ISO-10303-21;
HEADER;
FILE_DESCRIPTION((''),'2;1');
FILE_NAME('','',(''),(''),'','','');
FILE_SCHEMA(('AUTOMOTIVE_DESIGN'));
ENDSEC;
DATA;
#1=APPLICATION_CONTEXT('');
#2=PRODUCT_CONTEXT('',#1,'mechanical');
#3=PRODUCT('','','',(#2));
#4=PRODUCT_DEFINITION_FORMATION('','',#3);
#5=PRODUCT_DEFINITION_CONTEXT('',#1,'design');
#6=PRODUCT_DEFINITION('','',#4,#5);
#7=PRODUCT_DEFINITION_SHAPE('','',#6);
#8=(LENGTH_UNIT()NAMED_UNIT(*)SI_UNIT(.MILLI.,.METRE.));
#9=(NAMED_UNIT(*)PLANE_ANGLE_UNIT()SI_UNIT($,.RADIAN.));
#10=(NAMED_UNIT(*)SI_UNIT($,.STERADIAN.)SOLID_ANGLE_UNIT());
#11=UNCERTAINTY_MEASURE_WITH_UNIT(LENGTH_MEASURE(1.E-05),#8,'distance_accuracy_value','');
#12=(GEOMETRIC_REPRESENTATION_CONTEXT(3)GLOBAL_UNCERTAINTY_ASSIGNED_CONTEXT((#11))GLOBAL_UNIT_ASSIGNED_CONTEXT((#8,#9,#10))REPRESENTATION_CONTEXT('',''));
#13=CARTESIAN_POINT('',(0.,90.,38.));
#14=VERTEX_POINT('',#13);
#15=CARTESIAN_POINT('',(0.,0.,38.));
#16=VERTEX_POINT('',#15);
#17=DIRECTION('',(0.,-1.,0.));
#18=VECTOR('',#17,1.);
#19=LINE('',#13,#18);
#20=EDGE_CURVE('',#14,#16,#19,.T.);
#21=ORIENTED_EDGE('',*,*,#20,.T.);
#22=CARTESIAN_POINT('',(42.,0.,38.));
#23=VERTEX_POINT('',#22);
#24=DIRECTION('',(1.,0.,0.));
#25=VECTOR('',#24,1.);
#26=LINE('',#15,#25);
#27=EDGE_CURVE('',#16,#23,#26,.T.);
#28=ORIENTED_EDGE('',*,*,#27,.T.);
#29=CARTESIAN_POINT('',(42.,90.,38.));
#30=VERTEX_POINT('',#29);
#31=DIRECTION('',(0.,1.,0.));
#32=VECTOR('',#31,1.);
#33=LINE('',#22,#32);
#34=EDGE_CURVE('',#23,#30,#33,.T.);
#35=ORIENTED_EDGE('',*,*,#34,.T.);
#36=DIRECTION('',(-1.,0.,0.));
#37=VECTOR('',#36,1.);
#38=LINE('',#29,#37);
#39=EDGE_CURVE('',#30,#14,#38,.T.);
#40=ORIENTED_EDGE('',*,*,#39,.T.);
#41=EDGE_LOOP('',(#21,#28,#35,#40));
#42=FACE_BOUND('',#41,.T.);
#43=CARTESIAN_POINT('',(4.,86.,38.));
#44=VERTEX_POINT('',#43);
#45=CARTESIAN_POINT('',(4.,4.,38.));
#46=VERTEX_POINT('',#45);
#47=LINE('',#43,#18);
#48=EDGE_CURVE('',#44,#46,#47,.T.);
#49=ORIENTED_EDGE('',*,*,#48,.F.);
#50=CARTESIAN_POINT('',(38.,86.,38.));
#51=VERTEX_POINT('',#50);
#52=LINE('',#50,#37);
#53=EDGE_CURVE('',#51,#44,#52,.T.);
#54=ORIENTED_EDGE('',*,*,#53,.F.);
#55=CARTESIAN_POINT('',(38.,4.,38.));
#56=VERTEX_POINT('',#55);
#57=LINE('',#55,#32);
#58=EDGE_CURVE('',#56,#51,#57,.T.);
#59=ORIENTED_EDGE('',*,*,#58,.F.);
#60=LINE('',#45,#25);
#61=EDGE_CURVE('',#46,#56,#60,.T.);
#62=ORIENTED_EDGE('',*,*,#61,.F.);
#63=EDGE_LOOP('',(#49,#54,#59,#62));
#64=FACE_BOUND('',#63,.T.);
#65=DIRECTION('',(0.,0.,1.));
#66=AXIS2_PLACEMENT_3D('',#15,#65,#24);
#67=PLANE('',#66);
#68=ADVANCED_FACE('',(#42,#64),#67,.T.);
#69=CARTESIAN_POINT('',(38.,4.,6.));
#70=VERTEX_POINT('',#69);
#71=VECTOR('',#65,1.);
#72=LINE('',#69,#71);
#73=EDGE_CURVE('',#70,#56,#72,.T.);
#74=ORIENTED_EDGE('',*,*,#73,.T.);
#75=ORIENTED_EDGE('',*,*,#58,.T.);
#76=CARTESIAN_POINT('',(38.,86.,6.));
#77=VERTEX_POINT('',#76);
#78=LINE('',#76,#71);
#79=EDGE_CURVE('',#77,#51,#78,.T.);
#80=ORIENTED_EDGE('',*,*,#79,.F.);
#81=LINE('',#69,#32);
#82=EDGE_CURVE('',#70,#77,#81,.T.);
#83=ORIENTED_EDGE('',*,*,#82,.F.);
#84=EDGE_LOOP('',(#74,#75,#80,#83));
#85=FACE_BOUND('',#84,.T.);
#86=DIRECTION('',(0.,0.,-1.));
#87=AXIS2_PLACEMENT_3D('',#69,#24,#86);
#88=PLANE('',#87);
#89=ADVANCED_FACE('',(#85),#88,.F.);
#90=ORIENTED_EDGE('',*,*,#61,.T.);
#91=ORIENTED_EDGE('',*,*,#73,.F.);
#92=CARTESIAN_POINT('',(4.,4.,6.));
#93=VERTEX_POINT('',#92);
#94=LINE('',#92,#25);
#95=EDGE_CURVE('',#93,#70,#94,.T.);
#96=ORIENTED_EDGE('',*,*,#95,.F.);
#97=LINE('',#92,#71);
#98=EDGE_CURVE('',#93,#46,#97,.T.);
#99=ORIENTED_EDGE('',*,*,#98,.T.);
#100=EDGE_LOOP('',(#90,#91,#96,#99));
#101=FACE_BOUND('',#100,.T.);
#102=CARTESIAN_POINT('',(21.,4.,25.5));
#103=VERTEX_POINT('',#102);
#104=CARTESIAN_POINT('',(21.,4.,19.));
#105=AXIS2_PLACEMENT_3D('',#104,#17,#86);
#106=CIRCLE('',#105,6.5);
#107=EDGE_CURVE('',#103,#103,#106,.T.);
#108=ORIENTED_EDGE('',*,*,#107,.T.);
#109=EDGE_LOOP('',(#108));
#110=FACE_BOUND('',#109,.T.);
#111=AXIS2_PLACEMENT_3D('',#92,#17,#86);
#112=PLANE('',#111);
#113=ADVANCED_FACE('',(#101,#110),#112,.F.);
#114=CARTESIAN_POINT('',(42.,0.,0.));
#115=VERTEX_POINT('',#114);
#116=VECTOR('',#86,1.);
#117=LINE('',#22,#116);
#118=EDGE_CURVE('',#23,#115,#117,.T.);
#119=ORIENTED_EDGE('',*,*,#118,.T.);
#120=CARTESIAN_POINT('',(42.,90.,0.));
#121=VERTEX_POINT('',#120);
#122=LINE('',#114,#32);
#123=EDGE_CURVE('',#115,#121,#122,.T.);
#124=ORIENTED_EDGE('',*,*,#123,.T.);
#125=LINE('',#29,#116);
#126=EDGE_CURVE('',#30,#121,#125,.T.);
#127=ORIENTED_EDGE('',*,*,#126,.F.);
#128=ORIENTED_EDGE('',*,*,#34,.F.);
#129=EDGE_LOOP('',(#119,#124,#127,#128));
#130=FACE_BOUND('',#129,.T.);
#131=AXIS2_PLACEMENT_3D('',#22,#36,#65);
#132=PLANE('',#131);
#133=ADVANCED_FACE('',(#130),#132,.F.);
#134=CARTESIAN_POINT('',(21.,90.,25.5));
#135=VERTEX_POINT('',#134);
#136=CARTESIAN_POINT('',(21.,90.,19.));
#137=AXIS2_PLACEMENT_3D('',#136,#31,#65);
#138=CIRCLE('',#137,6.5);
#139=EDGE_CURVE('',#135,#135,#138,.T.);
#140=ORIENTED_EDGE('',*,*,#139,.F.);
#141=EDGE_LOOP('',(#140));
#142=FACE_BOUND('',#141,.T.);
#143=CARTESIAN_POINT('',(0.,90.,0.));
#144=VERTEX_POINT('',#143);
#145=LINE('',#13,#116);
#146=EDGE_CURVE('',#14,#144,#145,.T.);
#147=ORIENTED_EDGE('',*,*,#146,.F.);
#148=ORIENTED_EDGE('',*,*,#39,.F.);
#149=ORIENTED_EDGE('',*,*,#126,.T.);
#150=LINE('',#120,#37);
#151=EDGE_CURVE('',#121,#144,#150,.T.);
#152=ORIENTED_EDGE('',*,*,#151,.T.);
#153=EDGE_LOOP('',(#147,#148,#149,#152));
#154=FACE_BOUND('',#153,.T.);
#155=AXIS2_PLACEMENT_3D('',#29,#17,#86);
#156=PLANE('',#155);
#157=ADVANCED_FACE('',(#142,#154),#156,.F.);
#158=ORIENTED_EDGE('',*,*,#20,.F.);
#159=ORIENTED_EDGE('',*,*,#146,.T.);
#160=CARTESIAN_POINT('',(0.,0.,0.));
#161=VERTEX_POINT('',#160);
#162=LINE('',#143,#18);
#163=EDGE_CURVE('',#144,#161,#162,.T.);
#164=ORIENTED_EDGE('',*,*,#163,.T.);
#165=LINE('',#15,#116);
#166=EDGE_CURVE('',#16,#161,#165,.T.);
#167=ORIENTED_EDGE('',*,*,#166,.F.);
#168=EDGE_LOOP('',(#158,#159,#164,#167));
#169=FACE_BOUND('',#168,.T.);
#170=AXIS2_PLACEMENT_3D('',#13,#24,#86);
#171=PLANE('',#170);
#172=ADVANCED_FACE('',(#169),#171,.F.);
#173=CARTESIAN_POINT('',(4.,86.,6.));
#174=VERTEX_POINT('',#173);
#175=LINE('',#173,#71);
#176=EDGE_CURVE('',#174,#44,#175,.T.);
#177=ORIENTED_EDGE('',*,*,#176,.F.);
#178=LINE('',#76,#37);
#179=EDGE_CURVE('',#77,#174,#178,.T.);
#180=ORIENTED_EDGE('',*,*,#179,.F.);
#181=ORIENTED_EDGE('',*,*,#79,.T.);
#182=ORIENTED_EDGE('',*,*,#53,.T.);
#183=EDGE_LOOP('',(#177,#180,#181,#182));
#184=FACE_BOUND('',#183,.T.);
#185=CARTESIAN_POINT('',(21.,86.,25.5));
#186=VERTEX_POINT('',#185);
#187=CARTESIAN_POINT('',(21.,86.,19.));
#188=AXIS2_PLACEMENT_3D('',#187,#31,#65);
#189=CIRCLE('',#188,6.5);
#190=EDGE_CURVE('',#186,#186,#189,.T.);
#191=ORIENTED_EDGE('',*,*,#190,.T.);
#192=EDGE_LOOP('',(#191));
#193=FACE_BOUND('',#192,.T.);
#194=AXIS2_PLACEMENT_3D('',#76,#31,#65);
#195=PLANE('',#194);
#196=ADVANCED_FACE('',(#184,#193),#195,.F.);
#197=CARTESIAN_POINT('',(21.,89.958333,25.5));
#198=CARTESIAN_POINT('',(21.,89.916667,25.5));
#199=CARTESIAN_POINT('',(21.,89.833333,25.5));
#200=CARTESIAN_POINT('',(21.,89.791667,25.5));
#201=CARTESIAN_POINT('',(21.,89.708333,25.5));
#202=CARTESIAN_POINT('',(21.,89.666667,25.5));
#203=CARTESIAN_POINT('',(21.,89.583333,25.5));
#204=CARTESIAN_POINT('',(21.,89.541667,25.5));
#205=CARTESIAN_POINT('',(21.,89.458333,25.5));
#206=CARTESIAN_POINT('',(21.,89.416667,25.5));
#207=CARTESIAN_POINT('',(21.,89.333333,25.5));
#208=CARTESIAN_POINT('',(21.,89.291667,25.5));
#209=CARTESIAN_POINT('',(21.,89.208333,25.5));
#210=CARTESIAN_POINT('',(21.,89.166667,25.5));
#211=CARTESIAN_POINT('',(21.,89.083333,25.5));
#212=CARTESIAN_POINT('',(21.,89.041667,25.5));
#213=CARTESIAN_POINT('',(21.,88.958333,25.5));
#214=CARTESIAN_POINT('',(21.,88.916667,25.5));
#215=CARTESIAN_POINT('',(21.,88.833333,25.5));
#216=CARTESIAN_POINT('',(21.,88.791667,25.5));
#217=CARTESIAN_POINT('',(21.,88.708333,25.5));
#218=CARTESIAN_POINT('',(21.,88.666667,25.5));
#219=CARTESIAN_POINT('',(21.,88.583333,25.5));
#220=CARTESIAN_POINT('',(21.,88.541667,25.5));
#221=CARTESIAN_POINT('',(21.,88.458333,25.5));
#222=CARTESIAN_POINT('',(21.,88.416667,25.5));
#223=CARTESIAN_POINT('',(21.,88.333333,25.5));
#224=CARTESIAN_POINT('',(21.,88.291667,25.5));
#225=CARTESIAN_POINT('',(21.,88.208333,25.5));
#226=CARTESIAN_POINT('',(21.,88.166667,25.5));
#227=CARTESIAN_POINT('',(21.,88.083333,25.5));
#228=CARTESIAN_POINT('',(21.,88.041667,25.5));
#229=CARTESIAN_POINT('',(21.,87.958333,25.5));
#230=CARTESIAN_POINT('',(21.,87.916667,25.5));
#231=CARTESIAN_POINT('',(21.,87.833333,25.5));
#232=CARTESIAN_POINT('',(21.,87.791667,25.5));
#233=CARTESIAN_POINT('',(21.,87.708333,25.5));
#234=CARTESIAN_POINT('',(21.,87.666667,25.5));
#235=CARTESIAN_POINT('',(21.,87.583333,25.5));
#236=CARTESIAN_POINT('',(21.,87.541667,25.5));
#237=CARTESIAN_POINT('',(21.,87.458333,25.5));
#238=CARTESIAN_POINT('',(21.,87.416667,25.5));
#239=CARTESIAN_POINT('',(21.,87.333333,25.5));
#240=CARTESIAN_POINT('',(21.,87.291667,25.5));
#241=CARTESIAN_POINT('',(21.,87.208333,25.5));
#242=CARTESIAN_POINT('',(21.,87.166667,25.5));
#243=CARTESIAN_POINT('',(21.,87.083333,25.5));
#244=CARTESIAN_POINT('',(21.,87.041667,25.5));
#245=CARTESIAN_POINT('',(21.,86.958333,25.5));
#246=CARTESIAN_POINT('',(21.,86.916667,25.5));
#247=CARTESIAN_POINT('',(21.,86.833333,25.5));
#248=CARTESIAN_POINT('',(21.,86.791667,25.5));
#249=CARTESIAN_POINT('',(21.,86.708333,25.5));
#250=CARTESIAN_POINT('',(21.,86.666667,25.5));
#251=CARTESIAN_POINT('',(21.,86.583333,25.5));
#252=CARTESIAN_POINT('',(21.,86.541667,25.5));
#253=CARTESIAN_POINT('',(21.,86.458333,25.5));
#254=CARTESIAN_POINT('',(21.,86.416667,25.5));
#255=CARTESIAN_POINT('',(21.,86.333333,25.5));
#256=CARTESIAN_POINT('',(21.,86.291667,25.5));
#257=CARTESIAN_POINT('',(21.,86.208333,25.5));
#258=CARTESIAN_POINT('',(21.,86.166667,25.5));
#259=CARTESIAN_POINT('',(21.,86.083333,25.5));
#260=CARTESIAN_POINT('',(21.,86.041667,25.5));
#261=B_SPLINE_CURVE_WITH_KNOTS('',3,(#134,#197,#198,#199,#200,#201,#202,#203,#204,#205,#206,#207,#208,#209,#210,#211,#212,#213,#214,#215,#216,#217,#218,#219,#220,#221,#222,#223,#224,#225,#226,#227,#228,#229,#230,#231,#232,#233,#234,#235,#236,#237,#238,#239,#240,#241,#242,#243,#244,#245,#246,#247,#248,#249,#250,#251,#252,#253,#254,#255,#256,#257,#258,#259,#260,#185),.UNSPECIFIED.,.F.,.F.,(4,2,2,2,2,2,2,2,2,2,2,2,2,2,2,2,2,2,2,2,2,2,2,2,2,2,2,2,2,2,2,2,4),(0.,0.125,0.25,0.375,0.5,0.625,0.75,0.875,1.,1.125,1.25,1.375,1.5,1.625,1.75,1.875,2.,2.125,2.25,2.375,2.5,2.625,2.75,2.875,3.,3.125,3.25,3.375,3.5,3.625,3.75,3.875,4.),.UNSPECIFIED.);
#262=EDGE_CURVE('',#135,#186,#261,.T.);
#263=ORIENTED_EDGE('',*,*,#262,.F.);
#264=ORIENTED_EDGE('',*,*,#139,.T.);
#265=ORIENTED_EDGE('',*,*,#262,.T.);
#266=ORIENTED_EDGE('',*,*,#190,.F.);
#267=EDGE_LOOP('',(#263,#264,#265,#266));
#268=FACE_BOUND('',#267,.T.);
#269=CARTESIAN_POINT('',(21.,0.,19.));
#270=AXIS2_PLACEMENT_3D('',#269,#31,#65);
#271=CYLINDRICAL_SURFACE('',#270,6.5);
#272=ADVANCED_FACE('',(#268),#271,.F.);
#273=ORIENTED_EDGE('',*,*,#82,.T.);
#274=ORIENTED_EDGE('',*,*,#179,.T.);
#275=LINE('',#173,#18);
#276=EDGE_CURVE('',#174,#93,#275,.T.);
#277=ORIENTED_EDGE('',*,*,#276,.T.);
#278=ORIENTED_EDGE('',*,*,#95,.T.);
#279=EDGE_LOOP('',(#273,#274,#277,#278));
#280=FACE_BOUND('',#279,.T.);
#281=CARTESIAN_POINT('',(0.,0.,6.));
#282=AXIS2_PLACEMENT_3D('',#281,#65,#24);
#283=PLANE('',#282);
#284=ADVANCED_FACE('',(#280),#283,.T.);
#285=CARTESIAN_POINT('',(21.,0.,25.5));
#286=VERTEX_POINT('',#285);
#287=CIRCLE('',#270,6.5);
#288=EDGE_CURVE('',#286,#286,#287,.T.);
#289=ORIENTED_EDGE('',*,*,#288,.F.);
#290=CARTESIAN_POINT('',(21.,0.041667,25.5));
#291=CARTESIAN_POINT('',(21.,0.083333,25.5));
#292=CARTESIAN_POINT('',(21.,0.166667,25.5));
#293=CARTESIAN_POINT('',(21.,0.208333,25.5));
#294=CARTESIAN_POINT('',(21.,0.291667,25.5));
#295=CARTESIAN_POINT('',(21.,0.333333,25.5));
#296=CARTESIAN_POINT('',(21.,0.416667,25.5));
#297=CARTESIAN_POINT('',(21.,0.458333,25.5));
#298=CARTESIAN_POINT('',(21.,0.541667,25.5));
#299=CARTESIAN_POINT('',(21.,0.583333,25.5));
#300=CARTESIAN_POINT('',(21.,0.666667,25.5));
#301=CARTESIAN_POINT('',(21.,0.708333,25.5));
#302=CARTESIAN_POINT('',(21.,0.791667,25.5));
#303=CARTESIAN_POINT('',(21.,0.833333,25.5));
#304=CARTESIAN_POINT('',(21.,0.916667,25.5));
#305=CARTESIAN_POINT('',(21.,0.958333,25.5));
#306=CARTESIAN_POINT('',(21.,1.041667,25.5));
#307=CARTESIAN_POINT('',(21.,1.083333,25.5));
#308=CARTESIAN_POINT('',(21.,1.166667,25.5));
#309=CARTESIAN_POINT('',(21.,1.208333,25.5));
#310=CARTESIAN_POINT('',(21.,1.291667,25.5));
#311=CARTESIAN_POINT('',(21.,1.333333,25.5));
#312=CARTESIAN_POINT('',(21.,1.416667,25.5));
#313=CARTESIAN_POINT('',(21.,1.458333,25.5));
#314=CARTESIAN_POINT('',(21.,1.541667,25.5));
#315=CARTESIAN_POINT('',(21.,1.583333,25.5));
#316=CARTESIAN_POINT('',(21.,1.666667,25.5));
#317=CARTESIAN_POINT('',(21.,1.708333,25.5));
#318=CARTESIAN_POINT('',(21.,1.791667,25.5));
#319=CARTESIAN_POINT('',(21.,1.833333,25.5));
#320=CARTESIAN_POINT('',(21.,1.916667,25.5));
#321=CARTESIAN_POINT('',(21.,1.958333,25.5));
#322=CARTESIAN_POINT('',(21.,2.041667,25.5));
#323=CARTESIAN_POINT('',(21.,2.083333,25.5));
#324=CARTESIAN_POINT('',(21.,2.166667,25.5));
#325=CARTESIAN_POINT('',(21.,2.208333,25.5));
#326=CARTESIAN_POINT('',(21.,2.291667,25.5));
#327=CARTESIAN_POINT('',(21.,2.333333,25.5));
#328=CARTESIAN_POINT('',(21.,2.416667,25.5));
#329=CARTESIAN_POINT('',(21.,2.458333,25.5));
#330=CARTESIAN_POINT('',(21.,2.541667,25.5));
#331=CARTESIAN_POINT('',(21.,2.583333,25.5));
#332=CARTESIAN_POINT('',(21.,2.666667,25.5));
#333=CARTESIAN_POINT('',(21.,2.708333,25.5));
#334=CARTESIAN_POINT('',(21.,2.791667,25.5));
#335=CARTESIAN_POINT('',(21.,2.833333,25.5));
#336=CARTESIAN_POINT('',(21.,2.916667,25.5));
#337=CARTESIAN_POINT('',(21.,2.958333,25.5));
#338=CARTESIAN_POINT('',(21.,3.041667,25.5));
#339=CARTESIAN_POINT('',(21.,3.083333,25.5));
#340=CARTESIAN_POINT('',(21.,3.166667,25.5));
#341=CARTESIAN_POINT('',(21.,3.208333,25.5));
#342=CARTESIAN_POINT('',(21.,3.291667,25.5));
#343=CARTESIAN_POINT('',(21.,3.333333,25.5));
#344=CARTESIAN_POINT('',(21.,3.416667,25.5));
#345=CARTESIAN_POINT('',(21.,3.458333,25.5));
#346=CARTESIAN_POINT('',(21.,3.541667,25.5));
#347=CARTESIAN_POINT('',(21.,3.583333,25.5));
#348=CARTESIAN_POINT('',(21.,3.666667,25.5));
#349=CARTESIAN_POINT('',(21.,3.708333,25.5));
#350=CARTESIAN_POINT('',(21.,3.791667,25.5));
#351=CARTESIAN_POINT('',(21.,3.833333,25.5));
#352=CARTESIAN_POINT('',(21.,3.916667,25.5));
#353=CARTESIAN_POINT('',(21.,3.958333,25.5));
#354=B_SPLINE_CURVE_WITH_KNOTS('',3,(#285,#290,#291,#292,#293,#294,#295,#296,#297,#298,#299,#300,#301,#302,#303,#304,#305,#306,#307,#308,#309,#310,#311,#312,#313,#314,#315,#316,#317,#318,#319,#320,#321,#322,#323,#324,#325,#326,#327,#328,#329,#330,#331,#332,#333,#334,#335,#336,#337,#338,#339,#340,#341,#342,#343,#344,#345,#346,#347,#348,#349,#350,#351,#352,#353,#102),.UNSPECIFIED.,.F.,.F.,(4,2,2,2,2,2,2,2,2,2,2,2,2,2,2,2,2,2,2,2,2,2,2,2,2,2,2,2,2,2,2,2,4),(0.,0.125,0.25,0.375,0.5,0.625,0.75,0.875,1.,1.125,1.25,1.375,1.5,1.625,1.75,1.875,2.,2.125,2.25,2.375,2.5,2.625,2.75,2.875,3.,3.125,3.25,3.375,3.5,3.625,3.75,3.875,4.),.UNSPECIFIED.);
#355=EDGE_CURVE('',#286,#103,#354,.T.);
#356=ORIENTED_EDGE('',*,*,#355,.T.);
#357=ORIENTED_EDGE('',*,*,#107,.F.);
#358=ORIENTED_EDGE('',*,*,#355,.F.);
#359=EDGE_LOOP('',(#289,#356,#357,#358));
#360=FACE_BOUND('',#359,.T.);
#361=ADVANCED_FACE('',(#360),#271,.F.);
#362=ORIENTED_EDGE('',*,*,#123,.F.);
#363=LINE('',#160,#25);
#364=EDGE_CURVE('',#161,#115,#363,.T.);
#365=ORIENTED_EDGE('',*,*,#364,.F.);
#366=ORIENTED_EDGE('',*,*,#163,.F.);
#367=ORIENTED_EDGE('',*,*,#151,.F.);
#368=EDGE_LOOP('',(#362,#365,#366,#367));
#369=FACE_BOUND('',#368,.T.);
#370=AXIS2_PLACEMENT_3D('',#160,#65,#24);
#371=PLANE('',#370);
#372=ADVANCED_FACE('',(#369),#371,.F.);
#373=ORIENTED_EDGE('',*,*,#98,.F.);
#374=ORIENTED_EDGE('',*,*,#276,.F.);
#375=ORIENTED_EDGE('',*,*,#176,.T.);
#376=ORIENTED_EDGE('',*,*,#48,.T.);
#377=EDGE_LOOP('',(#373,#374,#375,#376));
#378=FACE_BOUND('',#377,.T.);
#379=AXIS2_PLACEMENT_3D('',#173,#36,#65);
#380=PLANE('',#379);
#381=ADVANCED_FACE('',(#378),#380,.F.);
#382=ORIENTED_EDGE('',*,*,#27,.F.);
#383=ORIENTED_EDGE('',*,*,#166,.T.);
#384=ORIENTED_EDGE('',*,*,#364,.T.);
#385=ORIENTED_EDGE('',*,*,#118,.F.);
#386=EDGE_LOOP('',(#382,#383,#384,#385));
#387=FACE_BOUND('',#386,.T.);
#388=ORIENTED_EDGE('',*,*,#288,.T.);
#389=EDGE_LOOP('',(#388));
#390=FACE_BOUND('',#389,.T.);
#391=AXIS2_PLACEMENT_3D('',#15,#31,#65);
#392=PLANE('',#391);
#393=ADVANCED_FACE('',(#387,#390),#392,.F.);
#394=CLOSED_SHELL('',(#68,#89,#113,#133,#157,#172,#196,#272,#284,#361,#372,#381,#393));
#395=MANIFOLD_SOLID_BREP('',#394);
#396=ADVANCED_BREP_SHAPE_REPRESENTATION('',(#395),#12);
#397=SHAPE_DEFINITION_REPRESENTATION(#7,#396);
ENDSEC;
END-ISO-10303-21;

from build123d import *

# Parameters (mm, degrees)
SKETCH_1_W                = 42
SKETCH_1_H                = 90
HOUSING_ENVELOPE_DEPTH    = 38
SKETCH_2_W                = 34
SKETCH_2_H                = 82
FRONT_ACCESS_WINDOW_DEPTH = 32
SKETCH_3_R                = 6.5
AXIAL_PASSAGE_DEPTH       = 107.339080304


with BuildPart() as part:
    # 草图1 → Housing_envelope (new body)
    with BuildSketch(Plane.XY):
        with Locations((21, 45)):
            Rectangle(SKETCH_1_W, SKETCH_1_H)
    extrude(amount=HOUSING_ENVELOPE_DEPTH)

    # 草图2 → Front_access_window (cut)
    with BuildSketch(Plane.XY.offset(38)):
        with Locations((21, 45)):
            Rectangle(SKETCH_2_W, SKETCH_2_H)
    extrude(amount=-FRONT_ACCESS_WINDOW_DEPTH, mode=Mode.SUBTRACT)

    # 草图3 → Axial_passage (cut, through all)
    with BuildSketch(Plane(origin=(0, 90, 0), x_dir=(1, 0, 0), z_dir=(0, 1, 0))):
        with Locations(Location((21, -19, 0), (0, 0, 270))):
            Circle(SKETCH_3_R)
    extrude(amount=-AXIAL_PASSAGE_DEPTH, mode=Mode.SUBTRACT)


solid = part.part
